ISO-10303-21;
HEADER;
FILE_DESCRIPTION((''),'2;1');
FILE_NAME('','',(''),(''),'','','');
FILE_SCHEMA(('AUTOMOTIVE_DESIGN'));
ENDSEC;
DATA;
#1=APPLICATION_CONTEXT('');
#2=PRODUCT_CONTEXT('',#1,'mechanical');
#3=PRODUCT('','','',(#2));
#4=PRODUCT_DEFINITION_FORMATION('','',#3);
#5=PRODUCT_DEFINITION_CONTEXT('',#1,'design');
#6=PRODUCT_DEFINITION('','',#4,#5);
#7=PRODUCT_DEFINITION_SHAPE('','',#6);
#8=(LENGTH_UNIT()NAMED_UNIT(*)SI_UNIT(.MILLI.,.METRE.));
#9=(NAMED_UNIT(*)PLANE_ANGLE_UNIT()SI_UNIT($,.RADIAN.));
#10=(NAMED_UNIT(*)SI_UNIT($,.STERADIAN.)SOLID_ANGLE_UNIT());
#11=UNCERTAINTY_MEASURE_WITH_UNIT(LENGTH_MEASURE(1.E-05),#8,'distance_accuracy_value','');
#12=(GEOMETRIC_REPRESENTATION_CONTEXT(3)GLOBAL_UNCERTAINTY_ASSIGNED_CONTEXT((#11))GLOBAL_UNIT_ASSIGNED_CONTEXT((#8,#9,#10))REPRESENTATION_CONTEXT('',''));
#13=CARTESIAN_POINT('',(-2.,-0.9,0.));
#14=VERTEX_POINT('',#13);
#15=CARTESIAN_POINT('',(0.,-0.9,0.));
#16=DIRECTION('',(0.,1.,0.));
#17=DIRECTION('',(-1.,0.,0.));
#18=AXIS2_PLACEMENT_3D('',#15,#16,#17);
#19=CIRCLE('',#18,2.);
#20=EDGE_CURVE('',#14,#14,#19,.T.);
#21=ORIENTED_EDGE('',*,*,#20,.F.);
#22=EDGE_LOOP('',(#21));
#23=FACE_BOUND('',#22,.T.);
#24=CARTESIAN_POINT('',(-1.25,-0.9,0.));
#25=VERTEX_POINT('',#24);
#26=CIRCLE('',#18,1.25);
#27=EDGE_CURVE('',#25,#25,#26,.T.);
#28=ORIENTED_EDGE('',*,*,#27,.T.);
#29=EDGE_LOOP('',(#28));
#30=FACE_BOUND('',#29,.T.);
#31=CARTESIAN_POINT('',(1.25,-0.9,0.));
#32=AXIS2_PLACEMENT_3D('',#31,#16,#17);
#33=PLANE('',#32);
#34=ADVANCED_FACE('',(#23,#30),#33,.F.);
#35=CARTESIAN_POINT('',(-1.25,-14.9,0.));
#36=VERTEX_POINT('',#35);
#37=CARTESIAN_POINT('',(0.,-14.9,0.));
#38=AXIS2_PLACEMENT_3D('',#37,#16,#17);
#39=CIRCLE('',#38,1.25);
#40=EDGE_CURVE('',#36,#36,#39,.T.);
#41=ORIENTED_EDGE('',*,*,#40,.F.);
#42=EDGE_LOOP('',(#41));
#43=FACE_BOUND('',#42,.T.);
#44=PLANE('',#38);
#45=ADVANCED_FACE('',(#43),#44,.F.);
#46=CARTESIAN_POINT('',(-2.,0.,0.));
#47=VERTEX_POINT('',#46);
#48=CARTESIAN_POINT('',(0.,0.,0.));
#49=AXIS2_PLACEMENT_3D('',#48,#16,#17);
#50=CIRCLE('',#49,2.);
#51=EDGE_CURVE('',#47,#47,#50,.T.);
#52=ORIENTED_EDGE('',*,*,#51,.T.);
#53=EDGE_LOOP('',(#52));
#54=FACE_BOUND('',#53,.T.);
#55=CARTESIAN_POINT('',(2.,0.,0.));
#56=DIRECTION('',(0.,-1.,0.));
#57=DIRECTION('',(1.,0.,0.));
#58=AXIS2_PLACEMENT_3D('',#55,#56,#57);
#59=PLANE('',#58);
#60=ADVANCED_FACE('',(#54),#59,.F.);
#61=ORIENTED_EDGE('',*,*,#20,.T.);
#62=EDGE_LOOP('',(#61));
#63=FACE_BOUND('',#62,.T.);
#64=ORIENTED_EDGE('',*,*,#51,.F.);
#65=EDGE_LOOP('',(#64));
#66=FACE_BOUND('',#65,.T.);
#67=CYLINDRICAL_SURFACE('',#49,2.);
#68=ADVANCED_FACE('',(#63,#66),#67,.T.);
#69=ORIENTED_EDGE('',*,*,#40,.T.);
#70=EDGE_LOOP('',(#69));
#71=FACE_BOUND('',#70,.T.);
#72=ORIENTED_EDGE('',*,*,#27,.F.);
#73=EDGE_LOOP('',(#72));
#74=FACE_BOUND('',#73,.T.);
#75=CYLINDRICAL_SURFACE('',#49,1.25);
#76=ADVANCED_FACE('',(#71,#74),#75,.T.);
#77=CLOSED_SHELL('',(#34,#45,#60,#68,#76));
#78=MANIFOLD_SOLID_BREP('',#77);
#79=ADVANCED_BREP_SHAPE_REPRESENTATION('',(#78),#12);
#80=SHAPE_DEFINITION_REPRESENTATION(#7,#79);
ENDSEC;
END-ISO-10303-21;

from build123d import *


with BuildPart() as part:
    # 草图1 → 旋转1 (revolve)
    with BuildSketch(Plane.XY, mode=Mode.PRIVATE) as revolve_1_sk:
        Polygon((0, 0), (0, -14.9), (1.25, -14.9), (1.25, -0.9), (2, -0.9), (2, 0), align=None)
    revolve(revolve_1_sk.sketch.rotate(Axis((0, 0, 0), (0, -1, 0)), 180), axis=Axis((0, 0, 0), (0, -1, 0)))


solid = part.part
